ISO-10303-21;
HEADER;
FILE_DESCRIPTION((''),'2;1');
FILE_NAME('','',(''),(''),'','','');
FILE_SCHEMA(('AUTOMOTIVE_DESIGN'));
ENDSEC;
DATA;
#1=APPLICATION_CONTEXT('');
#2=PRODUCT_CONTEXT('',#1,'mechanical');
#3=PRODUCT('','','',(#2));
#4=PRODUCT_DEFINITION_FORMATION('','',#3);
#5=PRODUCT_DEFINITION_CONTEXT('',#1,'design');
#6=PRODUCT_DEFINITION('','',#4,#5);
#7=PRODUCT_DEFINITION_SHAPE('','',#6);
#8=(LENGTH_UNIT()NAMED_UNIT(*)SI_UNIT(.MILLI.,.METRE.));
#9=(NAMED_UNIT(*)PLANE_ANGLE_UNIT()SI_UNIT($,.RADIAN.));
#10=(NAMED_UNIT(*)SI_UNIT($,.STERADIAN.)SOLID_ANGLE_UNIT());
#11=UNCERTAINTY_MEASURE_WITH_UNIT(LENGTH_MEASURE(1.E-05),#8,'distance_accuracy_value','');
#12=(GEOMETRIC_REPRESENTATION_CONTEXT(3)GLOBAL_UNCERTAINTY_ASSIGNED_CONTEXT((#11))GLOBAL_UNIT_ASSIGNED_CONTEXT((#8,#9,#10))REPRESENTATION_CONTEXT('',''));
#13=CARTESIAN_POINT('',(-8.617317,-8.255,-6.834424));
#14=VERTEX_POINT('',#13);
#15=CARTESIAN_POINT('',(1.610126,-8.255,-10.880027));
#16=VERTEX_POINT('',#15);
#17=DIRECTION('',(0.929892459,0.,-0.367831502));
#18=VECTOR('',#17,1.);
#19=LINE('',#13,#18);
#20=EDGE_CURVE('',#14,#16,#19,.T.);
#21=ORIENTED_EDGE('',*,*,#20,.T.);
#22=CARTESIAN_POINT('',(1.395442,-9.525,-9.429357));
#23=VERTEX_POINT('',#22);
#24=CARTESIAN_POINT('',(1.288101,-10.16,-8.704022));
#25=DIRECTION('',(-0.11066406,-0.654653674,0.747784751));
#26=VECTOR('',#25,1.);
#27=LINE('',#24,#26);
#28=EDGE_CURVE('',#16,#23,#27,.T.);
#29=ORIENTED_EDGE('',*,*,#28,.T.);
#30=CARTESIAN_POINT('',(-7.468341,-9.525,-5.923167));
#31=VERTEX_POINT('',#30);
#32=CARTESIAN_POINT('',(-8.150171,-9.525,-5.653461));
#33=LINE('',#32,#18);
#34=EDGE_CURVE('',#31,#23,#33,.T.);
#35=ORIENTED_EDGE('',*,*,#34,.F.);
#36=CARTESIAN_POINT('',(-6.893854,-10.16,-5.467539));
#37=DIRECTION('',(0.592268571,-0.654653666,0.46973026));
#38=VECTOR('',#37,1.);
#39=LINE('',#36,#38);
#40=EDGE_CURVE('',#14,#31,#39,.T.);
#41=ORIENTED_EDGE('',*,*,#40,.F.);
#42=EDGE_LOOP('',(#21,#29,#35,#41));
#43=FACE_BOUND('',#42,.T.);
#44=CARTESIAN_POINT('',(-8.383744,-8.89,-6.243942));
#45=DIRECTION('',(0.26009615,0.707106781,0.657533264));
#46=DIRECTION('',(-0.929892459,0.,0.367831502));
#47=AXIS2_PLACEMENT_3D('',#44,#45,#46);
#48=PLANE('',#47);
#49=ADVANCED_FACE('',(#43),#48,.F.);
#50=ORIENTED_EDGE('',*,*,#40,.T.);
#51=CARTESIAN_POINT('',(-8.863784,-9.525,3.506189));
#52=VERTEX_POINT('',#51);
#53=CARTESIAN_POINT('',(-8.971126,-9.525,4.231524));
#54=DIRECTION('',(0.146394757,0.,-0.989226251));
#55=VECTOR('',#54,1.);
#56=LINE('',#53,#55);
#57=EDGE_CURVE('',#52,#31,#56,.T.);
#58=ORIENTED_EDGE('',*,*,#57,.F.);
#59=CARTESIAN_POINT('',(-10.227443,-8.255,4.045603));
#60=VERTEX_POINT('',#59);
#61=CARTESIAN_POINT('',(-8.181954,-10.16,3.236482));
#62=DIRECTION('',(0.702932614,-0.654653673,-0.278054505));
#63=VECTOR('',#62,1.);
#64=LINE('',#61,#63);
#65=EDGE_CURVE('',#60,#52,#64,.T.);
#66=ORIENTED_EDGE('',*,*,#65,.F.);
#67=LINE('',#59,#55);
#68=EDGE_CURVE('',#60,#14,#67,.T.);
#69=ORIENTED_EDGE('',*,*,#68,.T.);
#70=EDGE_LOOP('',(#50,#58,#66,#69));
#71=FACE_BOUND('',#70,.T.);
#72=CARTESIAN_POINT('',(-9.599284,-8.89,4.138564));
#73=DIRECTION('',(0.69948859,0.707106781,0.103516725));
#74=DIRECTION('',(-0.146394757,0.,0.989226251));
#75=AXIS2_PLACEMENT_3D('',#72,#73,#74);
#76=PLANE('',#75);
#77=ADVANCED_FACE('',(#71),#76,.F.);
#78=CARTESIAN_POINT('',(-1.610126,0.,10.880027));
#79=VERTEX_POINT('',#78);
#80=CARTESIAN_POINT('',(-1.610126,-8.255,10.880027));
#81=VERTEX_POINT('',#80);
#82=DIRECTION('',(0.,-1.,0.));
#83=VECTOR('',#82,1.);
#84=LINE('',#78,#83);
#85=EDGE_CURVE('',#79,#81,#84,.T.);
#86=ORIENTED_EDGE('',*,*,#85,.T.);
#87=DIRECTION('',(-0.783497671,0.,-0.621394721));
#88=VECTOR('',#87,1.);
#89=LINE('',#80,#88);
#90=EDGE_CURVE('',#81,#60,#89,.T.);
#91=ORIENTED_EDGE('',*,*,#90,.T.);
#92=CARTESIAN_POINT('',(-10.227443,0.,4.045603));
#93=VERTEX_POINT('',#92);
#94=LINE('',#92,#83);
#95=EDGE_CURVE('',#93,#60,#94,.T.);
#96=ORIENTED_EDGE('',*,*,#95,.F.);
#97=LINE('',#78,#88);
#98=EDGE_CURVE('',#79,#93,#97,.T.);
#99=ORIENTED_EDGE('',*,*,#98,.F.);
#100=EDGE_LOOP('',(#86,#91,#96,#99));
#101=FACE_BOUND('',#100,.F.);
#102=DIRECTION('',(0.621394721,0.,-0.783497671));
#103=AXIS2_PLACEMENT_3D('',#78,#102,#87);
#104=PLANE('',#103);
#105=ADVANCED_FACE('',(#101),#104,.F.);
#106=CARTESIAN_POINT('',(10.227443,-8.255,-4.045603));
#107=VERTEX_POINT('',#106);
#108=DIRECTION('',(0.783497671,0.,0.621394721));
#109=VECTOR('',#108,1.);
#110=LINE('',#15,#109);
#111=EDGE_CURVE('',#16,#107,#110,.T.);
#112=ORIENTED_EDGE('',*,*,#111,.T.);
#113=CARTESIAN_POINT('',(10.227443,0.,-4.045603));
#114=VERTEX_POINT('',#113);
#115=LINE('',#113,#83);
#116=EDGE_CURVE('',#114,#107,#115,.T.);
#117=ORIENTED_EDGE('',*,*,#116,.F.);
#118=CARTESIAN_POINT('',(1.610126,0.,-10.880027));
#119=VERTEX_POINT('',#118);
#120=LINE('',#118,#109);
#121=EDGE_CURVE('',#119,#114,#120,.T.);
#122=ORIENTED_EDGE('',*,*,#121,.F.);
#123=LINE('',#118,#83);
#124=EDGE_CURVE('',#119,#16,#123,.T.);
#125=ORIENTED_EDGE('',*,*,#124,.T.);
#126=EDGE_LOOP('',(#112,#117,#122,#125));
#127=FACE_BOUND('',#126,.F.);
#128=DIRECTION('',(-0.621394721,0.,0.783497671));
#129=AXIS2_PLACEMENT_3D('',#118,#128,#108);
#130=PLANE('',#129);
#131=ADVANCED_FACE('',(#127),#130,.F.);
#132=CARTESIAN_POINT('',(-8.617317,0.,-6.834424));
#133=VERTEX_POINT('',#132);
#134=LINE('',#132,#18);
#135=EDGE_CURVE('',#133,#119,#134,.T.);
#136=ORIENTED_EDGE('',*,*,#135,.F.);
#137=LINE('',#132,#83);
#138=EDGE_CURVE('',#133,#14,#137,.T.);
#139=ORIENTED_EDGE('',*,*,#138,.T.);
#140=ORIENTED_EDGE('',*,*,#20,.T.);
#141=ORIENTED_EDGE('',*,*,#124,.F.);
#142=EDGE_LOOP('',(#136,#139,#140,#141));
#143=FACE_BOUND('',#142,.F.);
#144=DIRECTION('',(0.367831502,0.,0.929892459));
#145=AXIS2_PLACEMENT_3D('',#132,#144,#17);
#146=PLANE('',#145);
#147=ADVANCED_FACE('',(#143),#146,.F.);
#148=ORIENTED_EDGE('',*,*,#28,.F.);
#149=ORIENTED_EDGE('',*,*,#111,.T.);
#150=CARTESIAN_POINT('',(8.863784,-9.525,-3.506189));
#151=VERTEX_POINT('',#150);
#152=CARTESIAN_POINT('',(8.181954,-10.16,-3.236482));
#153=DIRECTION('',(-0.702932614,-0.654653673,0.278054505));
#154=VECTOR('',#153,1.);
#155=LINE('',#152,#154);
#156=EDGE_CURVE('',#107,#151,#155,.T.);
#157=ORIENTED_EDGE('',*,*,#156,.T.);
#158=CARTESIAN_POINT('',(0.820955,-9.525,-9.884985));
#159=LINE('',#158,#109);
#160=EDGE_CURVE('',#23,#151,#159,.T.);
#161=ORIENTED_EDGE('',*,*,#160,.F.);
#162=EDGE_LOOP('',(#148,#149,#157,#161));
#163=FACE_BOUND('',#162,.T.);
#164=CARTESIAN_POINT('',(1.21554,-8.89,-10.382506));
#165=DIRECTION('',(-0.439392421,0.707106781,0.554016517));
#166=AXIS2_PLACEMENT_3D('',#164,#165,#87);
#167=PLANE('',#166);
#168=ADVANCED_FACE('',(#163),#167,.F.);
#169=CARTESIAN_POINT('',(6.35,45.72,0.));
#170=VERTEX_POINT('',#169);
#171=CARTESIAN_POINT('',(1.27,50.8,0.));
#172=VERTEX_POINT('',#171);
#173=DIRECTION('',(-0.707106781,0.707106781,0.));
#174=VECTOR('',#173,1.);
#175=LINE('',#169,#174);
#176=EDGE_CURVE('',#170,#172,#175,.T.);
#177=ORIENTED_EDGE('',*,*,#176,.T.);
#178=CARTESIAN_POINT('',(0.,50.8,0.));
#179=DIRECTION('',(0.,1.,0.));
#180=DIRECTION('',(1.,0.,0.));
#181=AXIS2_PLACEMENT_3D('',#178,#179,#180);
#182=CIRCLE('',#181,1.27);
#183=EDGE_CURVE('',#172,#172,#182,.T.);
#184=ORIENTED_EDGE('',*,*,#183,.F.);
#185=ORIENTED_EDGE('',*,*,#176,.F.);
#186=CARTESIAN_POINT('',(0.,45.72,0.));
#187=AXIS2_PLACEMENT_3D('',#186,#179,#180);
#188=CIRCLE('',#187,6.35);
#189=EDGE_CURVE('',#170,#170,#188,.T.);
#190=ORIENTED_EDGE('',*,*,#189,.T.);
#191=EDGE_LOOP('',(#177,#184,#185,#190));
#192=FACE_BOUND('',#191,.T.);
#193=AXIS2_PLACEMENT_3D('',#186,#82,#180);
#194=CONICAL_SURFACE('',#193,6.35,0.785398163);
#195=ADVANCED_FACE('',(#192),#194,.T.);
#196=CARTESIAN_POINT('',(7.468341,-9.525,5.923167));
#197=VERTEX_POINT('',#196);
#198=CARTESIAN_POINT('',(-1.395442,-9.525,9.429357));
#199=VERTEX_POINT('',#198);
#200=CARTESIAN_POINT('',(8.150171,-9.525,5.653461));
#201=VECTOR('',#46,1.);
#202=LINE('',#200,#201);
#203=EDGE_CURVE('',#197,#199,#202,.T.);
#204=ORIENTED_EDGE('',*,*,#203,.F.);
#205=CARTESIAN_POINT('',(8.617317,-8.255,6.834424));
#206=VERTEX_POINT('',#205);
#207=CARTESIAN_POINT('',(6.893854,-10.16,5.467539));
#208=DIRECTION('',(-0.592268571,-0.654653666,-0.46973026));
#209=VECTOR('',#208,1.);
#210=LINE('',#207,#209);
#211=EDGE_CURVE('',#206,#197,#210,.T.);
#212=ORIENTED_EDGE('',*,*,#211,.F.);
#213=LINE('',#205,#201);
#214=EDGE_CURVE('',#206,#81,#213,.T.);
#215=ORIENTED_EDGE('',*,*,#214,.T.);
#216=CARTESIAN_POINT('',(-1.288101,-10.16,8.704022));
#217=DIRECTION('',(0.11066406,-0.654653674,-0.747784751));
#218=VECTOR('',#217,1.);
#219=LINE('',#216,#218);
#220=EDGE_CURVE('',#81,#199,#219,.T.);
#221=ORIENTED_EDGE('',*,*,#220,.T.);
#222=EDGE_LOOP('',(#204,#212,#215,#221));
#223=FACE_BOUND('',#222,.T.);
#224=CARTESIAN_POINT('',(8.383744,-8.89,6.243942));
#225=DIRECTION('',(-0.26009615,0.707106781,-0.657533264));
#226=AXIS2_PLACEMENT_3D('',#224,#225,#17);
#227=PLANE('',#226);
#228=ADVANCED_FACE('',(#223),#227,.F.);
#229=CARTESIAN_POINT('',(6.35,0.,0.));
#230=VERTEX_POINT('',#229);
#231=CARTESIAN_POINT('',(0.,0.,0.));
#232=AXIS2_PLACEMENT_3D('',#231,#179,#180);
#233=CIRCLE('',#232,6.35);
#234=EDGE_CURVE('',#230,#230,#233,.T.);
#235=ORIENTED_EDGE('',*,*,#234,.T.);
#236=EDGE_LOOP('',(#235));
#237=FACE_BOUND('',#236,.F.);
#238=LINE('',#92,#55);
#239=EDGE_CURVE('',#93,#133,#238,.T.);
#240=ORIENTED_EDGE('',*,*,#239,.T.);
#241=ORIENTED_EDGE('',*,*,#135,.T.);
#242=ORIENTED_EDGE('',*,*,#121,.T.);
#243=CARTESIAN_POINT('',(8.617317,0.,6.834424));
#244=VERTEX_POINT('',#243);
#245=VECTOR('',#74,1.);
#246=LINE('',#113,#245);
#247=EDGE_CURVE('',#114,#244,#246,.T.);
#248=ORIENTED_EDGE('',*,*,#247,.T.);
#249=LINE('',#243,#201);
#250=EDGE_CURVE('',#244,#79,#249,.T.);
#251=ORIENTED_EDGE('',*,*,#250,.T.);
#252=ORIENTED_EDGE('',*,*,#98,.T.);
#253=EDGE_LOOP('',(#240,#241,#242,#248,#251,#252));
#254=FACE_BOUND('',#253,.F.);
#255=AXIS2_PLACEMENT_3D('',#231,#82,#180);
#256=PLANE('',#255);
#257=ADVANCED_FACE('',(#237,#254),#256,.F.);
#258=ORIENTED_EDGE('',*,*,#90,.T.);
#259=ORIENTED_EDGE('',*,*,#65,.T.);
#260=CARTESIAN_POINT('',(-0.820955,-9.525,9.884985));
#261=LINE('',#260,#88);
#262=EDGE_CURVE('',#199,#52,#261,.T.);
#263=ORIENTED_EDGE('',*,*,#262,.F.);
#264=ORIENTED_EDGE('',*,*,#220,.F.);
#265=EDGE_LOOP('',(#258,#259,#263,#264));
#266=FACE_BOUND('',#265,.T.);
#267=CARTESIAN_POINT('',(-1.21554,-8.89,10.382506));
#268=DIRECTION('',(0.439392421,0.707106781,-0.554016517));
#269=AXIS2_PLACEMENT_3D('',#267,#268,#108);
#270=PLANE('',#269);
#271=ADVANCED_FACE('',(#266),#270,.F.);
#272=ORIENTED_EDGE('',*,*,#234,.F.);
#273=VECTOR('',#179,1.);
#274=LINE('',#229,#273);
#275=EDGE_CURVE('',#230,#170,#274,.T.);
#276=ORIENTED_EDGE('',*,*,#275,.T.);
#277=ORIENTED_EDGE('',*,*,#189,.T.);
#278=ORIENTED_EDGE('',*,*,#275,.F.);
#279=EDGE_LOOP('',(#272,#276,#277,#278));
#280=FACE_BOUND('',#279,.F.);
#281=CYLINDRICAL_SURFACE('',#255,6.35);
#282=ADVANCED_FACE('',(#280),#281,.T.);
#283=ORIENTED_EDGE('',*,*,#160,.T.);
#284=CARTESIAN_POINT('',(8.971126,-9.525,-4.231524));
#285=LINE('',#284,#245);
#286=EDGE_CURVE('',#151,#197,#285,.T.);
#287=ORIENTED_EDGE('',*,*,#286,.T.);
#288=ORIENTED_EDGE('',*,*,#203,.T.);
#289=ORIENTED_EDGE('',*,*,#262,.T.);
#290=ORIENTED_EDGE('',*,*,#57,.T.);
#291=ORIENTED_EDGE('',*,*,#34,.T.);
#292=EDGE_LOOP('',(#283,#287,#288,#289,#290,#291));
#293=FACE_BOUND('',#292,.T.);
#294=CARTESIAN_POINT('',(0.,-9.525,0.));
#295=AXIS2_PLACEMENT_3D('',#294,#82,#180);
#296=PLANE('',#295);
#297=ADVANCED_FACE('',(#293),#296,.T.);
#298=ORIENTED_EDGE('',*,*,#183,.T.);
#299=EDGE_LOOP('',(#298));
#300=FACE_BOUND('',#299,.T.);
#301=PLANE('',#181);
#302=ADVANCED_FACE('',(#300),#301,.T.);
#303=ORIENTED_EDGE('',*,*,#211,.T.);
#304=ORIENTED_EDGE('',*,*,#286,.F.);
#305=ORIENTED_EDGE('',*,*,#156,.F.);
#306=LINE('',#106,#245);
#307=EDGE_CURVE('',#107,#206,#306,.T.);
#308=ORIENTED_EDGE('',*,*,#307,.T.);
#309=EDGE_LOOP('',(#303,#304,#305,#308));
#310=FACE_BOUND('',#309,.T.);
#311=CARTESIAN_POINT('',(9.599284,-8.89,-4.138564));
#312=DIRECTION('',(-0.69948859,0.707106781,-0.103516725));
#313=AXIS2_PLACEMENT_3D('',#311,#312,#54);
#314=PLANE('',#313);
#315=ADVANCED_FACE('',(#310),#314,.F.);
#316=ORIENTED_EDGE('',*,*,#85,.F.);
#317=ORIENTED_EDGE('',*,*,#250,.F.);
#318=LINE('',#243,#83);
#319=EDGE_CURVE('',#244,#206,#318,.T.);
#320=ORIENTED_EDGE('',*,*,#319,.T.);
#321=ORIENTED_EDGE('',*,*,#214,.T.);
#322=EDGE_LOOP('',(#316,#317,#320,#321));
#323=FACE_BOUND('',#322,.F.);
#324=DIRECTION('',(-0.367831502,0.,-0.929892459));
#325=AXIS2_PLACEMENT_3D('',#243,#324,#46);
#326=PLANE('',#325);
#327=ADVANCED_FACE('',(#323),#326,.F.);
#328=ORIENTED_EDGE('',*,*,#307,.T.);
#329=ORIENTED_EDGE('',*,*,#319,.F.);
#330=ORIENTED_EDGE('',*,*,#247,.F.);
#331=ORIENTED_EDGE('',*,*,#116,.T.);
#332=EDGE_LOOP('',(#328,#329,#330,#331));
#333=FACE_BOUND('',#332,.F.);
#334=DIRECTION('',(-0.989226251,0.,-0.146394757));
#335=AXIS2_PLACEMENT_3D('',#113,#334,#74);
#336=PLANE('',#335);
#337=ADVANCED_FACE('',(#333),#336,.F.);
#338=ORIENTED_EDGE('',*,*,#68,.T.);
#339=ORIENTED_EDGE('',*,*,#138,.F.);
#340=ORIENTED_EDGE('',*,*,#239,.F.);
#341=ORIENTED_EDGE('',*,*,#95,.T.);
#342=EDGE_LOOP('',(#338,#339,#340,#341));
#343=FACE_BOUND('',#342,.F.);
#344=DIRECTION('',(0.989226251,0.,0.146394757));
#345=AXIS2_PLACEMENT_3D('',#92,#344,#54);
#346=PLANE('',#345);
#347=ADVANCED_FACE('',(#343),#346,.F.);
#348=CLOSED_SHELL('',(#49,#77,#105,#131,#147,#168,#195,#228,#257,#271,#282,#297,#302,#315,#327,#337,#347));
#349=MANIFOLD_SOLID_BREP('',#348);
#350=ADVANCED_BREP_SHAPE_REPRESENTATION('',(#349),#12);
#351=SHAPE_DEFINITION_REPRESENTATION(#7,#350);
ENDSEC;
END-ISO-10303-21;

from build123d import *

# Parameters (mm, degrees)
F1_DEPTH = 9.525
F3_R     = 6.35
F4_DEPTH = 50.8
F5_SIZE  = 5.08
F6_SIZE  = 1.27


with BuildPart() as f1:
    # F0 (on Front) → F1 (new body)
    with BuildSketch(Plane.XZ):
        Polygon((-1.610126, 10.880027), (-10.227443, 4.045603), (-8.617317, -6.834424), (1.610126, -10.880027), (10.227443, -4.045603), (8.617317, 6.834424), align=None)
    extrude(amount=F1_DEPTH)

    # F3 (on offset) → F4 (join)
    with BuildSketch(Plane(origin=(0, 0, 0), x_dir=(1, 0, 0), z_dir=(0, 1, 0))):
        Circle(F3_R)
    extrude(amount=F4_DEPTH)

    # F5
    f5_edges = [f1.edges().sort_by_distance(p)[0] for p in [
        (-6.35, 50.8, 0),
    ]]
    chamfer(f5_edges, length=F5_SIZE)

    # F6
    f6_edges = [f1.edges().sort_by_distance(p)[0] for p in [
        (-5.918785, -9.525, 7.462815),
        (3.503595, -9.525, 8.857226),
        (9.42238, -9.525, 1.39441),
        (5.918785, -9.525, -7.462815),
        (-3.503595, -9.525, -8.857226),
        (-9.42238, -9.525, -1.39441),
    ]]
    chamfer(f6_edges, length=F6_SIZE)


solid = f1.part
